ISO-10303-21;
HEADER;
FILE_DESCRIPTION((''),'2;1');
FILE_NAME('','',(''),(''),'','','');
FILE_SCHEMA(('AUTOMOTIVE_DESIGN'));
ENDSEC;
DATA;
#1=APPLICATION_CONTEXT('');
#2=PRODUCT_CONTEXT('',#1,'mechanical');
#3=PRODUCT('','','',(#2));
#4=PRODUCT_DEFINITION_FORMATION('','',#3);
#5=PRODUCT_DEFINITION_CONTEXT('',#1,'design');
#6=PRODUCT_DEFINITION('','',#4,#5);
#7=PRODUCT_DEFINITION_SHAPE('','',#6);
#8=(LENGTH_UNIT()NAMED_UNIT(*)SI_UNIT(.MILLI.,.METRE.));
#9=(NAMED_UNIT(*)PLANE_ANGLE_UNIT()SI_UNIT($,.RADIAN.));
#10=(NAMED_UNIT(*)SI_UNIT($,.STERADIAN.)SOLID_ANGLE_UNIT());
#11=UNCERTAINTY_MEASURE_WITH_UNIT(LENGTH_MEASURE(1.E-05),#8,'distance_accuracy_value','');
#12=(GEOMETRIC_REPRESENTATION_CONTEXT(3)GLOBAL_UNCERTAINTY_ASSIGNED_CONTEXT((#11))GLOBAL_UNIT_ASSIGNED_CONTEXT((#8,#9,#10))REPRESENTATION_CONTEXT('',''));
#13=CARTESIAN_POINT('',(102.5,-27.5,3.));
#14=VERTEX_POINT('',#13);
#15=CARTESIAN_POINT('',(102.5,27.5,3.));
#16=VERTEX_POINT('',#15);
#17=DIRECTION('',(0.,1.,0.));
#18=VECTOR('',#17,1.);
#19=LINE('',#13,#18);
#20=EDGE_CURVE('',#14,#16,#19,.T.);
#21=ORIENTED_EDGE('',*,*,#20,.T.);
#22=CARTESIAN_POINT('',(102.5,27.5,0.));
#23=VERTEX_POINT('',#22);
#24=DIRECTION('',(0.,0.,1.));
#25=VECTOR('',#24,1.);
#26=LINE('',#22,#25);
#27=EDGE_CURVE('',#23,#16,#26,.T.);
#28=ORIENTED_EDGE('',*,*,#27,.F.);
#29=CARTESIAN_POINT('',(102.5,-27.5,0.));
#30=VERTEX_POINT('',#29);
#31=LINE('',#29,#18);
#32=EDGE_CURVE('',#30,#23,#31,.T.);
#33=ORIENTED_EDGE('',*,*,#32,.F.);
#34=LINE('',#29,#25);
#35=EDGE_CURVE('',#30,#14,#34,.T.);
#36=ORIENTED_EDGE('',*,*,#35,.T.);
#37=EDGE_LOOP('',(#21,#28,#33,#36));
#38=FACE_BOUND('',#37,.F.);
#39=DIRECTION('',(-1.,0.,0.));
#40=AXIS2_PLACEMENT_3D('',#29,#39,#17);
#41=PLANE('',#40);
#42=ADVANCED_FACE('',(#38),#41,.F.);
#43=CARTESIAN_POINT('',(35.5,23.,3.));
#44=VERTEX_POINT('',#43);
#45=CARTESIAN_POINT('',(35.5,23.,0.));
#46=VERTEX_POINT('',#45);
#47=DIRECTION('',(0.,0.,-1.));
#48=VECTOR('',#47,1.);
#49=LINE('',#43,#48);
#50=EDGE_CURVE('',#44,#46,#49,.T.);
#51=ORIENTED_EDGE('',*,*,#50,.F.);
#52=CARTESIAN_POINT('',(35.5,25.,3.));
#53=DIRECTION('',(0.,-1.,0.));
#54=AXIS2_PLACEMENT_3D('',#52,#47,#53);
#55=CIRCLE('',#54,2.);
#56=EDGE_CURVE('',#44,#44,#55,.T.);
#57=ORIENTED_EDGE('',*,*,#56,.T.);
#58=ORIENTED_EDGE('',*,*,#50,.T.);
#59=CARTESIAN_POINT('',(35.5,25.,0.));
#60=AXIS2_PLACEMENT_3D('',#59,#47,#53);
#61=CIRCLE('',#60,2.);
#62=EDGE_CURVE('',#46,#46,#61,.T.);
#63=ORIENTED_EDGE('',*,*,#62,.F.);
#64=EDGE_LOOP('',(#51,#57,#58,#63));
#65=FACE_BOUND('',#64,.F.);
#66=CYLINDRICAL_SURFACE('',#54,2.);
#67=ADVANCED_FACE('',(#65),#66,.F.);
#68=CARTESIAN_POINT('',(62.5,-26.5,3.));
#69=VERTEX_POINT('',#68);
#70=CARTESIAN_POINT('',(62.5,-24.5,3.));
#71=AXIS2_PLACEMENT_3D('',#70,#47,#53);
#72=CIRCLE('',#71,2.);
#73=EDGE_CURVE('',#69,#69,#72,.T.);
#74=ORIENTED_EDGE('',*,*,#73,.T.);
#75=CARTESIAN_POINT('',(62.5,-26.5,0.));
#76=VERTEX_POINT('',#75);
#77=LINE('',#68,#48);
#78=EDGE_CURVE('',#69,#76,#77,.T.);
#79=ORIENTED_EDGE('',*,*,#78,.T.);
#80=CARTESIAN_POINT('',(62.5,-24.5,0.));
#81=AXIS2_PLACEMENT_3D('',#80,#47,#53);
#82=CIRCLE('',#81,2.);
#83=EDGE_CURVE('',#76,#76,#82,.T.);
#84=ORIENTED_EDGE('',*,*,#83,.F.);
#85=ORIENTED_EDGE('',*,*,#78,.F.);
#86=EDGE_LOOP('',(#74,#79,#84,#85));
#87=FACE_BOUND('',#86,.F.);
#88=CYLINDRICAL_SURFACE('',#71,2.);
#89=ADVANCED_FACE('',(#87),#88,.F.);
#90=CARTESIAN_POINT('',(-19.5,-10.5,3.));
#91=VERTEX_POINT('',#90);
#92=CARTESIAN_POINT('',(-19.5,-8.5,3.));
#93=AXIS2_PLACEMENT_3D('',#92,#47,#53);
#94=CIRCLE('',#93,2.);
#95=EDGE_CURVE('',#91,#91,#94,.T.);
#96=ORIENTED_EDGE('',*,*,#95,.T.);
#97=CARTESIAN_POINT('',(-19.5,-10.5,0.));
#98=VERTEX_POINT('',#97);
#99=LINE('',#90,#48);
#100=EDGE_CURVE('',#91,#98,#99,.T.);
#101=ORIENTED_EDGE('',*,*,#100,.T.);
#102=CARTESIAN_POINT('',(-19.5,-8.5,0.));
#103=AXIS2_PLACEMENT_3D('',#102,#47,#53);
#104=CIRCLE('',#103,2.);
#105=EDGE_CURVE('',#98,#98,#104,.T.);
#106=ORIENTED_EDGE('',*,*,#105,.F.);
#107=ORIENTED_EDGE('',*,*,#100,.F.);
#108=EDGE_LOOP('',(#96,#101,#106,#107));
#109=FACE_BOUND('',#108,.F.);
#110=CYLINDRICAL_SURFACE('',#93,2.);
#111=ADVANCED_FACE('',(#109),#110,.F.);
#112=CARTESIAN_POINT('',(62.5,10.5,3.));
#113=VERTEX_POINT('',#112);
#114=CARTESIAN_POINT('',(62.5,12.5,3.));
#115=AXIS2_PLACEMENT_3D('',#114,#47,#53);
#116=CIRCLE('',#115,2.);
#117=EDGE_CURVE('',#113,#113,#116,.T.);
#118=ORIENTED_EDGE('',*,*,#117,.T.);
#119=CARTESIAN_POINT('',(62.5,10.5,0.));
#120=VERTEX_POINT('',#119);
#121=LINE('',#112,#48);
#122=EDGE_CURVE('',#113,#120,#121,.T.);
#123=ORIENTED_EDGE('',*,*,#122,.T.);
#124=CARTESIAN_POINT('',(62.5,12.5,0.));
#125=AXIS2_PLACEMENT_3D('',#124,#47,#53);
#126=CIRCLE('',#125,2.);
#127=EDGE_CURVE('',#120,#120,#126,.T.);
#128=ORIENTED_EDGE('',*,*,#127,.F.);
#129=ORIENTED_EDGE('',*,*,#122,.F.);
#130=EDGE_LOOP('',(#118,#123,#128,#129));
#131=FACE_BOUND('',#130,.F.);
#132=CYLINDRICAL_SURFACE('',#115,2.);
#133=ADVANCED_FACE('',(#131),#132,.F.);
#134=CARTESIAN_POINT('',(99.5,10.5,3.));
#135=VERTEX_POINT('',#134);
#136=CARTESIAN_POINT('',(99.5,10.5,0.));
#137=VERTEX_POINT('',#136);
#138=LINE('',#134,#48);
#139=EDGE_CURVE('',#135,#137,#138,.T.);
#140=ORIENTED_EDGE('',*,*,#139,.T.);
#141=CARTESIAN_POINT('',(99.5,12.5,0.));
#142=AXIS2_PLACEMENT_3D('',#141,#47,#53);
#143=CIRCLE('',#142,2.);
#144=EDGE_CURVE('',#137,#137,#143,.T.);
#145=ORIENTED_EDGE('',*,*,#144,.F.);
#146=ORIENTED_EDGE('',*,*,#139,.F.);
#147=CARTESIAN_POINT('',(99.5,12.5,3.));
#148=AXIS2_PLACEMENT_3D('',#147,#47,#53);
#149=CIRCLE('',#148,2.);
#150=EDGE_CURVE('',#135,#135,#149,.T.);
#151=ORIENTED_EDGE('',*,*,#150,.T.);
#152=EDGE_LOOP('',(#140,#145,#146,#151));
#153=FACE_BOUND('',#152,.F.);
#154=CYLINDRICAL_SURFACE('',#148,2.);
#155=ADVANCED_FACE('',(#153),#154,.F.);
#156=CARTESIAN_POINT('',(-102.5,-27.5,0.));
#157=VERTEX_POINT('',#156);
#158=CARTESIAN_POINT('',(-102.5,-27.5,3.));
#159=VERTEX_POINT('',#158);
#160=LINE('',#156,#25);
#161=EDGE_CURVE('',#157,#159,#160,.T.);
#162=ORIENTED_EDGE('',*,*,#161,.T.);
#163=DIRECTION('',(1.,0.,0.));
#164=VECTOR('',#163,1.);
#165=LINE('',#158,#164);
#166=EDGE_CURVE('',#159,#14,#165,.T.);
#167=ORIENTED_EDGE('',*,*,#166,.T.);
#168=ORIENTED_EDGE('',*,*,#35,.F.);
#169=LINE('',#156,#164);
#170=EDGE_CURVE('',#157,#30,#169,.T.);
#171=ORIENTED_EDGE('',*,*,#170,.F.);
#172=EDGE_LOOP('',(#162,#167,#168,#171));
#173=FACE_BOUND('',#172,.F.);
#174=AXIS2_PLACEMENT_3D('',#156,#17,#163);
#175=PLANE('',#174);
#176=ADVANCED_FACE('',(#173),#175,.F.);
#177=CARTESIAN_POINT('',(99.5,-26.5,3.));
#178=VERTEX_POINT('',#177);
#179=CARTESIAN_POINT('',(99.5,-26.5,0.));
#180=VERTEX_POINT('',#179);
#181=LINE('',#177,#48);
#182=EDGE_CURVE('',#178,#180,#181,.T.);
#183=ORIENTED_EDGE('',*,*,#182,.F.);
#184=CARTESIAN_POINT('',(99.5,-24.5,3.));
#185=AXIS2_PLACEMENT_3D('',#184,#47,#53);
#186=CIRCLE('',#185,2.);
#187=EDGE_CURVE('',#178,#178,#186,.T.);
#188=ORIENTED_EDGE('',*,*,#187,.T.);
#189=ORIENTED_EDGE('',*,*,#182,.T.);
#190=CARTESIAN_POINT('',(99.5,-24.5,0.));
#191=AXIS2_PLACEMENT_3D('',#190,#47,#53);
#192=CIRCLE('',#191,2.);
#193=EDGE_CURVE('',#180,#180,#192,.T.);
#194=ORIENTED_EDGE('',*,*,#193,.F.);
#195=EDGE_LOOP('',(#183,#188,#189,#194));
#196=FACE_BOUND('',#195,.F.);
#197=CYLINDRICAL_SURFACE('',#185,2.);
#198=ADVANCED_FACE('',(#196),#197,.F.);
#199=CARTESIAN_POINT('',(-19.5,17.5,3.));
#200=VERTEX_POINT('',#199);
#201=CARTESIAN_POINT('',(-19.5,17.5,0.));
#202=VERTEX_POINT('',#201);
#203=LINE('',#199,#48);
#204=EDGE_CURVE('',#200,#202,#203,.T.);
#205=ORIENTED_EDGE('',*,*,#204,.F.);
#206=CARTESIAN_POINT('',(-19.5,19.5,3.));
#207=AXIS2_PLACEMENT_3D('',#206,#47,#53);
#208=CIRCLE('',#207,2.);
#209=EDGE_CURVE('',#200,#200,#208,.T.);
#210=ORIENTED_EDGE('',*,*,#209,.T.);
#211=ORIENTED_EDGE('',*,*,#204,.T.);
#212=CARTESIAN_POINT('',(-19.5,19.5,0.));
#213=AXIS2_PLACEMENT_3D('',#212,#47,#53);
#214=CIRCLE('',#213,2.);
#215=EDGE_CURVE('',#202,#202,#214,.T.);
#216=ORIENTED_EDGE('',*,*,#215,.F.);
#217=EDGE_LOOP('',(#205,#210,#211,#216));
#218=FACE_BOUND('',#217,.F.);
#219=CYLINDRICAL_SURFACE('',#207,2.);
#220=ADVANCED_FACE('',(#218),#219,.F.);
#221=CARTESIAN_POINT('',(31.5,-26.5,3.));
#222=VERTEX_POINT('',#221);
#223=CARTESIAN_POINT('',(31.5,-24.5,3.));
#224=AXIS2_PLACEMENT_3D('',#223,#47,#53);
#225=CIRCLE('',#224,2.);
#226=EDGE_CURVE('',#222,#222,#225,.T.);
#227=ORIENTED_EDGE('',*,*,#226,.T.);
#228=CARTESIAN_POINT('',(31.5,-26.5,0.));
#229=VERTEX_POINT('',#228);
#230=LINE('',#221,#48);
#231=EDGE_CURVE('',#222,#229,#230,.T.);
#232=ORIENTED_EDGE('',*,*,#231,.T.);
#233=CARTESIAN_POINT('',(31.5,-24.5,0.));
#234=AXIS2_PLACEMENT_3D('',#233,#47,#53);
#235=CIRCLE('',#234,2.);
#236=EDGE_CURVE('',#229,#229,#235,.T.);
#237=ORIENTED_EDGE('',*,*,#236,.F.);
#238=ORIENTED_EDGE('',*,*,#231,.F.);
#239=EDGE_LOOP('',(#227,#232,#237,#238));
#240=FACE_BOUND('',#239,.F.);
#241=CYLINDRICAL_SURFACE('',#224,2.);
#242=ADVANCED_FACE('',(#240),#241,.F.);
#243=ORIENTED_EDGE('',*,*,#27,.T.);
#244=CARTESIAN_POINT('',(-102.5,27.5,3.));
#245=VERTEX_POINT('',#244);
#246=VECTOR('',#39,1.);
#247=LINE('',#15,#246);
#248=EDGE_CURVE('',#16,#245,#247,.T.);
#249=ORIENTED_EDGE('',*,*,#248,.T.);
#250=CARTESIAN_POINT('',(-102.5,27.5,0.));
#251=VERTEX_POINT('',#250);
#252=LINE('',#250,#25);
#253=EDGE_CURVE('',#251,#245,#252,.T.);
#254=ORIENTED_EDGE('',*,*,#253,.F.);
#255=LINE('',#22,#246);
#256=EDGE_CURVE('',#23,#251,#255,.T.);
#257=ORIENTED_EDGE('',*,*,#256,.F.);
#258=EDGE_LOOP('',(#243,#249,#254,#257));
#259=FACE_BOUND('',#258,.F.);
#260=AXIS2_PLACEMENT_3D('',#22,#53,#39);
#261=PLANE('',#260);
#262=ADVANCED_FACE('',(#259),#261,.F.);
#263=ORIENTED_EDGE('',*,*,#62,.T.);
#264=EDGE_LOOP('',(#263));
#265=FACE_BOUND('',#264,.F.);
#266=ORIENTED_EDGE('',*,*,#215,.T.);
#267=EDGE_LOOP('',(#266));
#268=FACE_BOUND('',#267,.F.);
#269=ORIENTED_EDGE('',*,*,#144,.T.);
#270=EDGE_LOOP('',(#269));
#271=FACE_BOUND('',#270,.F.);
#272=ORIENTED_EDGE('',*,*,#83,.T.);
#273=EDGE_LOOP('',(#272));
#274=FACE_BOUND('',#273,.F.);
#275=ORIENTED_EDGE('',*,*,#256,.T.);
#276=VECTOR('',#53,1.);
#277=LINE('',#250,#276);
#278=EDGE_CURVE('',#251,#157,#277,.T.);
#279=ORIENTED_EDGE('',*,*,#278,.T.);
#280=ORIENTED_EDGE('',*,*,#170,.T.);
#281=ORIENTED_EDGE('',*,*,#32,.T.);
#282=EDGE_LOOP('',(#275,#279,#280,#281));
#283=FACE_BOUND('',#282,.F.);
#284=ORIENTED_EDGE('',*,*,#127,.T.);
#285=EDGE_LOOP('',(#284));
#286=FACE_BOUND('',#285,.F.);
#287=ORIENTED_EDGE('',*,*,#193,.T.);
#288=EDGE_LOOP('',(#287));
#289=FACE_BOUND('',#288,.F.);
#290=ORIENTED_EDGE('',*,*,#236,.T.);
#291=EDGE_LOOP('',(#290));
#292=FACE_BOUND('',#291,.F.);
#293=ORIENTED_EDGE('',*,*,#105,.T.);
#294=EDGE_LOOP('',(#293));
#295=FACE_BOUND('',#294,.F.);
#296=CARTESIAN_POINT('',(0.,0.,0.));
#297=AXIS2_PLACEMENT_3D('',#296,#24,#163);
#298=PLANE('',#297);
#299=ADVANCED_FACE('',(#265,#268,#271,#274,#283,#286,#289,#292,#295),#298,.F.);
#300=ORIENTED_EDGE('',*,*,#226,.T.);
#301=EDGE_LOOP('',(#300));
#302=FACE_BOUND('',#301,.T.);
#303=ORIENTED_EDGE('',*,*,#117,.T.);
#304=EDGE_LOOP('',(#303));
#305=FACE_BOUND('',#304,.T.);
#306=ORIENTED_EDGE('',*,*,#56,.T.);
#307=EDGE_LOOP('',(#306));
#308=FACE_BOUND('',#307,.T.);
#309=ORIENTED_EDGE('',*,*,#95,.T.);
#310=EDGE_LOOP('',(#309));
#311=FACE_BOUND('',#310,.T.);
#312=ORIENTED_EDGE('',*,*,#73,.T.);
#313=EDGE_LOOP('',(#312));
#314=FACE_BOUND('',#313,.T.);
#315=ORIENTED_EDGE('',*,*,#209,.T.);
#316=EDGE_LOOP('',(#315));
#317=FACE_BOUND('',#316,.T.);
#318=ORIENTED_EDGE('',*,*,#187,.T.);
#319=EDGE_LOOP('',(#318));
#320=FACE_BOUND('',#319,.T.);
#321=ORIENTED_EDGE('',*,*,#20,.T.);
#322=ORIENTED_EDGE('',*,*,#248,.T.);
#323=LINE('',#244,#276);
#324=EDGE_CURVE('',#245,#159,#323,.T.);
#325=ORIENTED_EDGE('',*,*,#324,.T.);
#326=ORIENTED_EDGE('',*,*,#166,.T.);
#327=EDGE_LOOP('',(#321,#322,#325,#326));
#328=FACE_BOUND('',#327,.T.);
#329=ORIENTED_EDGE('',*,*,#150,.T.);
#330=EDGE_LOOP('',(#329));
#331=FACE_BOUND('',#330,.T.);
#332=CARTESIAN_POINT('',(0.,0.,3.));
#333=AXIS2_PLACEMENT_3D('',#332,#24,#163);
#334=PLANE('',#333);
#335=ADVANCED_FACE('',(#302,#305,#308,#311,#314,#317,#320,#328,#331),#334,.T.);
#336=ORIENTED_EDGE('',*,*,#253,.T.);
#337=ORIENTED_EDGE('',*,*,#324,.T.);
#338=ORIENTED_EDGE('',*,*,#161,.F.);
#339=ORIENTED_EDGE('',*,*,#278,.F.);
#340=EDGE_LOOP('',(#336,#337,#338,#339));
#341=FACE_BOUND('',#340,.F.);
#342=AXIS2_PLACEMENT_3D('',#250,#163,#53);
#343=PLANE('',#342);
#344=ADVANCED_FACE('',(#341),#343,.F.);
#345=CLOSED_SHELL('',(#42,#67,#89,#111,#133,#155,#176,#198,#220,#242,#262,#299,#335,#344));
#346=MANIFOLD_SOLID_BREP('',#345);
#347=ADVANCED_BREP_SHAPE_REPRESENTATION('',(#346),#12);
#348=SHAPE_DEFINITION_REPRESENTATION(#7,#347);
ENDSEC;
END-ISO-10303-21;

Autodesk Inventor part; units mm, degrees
ref_plane "YZ Plane" through (0, 0, 0) normal (1, 0, 0) x (0, 1, 0)
ref_plane "XZ Plane" through (0, 0, 0) normal (0, 1, 0) x (-1, 0, 0)
ref_plane "XY Plane" through (0, 0, 0) normal (0, 0, 1) x (1, 0, 0)
sketch "Sketch1" plane through (0, 0, 0) normal (0, 0, 1) x (1, 0, 0)
  line L0 (-102.5, -27.5) -> (102.5, -27.5)
  line L1 (102.5, -27.5) -> (102.5, 27.5)
  line L2 (102.5, 27.5) -> (-102.5, 27.5)
  line L3 (-102.5, 27.5) -> (-102.5, -27.5)
  line L4 (-102.5, -27.5) -> (102.5, 27.5) construction
  line L5 (102.5, -27.5) -> (-102.5, 27.5) construction
  point P0 (0, 0)
  dimension "d0" = 205
  dimension "d1" = 55
extrude "Extrusion1" add sketch "Sketch1" along normal blind 3
sketch "Sketch2" plane through (0, 0, 3) normal (0, 0, 1) x (1, 0, 0)
  line L0 (102.5, 27.5) -> (-102.5, 27.5) projected
  line L1 (-22.5, 27.5) -> (-22.5, -27.5) construction
  line L2 (-102.5, -27.5) -> (102.5, -27.5) projected
  line L3 (-102.5, 27.5) -> (-102.5, -27.5) projected
  line L4 (102.5, -27.5) -> (102.5, 27.5) projected
  point P0 (0, 0)
  point P1 (-19.5, 19.5)
  point P2 (-19.5, -8.5)
  point P3 (35.5, 25)
  point P4 (31.5, -24.5)
  point P5 (62.5, 12.5)
  point P6 (99.5, 12.5)
  point P7 (62.5, -24.5)
  point P8 (99.5, -24.5)
  dimension "d4" = 80
  dimension "d5" = 3
  dimension "d6" = 8
  dimension "d7" = 28
  dimension "d8" = 55
  dimension "d9" = 2.5
  dimension "d10" = 51
  dimension "d11" = 16
  dimension "d12" = 37
  dimension "d13" = 37
  dimension "d14" = 3
  dimension "d15" = 3
hole "Hole1" at (-19.5, 19.5, 3) at (-19.5, -8.5, 3) at (35.5, 25, 3) at (31.5, -24.5, 3) at (62.5, 12.5, 3) at (99.5, 12.5, 3) at (62.5, -24.5, 3) at (99.5, -24.5, 3) direction (0, 0, -1) diameter 4 end through all
properties part number "electronic_base"
